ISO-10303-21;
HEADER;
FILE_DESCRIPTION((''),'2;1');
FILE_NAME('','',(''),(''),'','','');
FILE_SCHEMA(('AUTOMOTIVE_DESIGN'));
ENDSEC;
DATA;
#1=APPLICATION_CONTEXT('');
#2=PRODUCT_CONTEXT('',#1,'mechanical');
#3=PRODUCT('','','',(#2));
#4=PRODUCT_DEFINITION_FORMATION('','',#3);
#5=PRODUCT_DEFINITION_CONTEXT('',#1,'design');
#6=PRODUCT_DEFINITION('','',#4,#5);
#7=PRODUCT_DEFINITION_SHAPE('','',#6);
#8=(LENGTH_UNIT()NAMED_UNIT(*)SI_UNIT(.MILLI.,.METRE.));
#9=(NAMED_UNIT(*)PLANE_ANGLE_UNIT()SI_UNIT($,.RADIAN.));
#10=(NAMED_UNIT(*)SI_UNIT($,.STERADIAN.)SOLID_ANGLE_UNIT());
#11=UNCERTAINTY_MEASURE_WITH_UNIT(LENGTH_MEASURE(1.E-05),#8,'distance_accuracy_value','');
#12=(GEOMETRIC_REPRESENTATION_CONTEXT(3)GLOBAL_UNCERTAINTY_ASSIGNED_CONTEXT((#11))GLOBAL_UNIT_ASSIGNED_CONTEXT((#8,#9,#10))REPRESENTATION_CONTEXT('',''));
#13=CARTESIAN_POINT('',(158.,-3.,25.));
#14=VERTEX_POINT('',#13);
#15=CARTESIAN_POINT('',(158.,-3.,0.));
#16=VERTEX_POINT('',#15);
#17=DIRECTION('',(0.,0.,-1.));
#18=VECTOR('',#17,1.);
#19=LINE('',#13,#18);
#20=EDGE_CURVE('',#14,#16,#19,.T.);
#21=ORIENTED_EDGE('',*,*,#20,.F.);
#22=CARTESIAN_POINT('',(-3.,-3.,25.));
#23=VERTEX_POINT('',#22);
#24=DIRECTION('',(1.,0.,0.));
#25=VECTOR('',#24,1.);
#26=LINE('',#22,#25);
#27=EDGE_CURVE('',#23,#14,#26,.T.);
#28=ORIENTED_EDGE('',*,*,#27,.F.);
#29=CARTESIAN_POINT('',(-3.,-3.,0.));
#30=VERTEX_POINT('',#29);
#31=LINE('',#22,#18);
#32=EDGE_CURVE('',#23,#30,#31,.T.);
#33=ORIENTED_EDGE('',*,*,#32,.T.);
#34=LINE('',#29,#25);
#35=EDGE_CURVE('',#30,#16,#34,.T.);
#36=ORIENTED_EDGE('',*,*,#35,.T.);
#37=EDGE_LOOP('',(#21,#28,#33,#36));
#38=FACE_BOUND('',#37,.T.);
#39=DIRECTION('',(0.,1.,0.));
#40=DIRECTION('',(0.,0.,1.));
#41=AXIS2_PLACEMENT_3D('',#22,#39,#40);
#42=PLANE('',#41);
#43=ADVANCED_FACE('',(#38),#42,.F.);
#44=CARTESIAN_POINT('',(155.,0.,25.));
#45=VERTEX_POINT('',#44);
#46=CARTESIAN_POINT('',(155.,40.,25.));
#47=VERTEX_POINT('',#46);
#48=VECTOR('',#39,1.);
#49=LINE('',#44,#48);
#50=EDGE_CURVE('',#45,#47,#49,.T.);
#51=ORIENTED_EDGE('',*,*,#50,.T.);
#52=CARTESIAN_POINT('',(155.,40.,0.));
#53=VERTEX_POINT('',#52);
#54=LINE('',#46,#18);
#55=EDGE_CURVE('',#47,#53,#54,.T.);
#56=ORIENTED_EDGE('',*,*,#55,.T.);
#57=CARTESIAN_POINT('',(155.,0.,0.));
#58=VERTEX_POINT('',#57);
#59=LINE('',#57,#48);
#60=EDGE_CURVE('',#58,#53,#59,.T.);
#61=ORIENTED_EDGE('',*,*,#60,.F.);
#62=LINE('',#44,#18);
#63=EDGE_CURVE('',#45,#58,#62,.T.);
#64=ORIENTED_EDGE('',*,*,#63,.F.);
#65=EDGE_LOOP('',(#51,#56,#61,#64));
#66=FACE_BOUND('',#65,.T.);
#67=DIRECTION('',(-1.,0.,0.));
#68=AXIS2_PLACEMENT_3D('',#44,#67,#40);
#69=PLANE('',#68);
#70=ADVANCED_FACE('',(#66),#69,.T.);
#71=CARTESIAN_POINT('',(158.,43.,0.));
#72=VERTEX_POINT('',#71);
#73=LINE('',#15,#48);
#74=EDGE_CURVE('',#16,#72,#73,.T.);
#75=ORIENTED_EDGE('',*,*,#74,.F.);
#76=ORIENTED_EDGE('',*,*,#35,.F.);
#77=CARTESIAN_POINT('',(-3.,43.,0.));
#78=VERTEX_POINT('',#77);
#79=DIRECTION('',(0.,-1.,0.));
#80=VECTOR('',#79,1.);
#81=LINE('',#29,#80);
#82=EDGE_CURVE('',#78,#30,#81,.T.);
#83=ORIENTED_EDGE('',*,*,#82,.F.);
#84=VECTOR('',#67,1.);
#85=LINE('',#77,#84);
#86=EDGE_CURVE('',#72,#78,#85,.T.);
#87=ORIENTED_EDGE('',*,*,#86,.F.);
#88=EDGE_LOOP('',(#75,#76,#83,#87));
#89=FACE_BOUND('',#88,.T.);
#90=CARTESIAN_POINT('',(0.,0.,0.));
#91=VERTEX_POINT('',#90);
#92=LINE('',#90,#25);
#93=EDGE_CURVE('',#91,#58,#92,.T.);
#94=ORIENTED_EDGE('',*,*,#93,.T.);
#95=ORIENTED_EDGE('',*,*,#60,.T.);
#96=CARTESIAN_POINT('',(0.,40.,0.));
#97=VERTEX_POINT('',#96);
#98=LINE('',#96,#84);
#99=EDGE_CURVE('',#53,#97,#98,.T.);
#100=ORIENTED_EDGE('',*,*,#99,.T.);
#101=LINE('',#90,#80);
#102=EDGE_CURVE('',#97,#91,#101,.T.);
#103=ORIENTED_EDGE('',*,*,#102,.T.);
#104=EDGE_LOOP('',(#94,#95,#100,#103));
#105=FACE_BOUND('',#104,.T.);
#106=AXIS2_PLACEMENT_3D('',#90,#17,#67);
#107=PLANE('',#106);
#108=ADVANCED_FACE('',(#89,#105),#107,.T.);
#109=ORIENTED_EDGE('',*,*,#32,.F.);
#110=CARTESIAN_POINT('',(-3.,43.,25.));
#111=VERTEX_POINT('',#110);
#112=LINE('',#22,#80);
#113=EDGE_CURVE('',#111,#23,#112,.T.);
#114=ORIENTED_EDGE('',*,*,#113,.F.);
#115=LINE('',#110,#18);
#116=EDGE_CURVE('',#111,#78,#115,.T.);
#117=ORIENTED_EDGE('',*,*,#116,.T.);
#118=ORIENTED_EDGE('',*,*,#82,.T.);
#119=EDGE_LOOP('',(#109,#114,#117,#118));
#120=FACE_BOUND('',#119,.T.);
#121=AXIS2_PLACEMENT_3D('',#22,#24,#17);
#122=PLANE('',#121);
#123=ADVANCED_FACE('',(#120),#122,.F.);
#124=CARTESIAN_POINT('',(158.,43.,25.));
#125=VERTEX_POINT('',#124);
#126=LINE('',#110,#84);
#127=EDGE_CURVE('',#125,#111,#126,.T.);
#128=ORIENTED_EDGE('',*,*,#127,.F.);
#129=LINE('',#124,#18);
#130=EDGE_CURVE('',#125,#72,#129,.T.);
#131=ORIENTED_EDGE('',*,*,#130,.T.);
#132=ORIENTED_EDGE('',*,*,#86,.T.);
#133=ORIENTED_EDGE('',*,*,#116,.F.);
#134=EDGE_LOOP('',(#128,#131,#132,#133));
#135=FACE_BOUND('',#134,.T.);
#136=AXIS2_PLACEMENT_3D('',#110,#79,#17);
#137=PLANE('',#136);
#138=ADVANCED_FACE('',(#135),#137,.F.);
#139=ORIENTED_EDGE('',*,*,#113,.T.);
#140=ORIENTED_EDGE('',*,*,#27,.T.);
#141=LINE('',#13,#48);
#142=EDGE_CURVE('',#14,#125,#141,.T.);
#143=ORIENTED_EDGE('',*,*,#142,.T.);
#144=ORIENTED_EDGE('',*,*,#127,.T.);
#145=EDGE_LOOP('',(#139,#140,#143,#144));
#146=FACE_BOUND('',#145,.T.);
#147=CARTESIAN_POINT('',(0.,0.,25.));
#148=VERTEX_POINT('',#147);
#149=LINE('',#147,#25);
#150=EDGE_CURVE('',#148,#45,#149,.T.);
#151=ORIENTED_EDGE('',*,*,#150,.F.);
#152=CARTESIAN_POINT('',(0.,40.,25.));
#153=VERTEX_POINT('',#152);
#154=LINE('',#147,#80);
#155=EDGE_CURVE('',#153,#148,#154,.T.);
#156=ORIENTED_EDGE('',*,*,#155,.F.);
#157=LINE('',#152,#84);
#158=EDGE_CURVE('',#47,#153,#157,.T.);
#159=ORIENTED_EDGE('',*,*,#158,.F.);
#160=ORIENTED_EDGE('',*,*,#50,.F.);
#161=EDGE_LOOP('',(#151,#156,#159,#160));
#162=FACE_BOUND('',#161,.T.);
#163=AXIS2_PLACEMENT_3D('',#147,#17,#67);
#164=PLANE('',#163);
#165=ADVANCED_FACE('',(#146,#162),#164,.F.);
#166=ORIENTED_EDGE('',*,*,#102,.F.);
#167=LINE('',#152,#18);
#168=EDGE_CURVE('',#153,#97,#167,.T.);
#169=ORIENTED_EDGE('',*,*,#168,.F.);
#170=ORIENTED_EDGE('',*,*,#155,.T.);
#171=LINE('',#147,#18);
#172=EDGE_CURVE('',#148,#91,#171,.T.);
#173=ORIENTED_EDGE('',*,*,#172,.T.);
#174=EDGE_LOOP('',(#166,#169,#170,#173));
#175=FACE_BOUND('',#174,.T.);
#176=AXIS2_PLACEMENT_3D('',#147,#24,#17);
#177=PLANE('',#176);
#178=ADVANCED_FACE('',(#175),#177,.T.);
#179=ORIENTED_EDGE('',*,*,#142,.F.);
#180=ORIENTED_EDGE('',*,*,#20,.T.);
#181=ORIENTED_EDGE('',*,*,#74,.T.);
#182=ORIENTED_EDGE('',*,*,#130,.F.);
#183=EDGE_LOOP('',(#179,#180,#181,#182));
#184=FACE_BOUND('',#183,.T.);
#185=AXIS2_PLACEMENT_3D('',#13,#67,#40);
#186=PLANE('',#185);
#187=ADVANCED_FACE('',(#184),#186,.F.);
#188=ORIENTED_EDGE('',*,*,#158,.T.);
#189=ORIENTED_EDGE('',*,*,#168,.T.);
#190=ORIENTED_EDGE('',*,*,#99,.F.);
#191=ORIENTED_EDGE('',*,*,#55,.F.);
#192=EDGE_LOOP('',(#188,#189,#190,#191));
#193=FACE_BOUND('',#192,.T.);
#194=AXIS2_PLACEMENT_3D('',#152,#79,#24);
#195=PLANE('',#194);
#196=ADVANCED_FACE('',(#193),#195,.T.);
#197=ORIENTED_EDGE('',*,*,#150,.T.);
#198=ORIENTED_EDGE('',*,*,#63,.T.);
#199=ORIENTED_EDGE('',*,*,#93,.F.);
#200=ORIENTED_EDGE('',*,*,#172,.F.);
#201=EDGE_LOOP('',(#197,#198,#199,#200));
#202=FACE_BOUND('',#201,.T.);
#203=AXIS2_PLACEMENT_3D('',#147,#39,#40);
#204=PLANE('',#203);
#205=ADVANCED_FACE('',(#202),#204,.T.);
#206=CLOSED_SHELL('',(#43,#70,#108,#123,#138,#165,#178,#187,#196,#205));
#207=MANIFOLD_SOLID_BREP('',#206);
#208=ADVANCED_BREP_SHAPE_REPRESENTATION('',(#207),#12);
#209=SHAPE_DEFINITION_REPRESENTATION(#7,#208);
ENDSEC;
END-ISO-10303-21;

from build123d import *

# Parameters (mm, degrees)
SKETCH_1_W      = 161
SKETCH_1_H      = 46
SKETCH_1_W_2    = 155
SKETCH_1_H_2    = 40
EXTRUDE_1_DEPTH = 25


with BuildPart() as part:
    # Эскиз1 → Бобышка-Вытянуть1 (new body)
    with BuildSketch(Plane.XY):
        with Locations((77.5, 20)):
            Rectangle(SKETCH_1_W, SKETCH_1_H)
        with Locations((77.5, 20)):
            Rectangle(SKETCH_1_W_2, SKETCH_1_H_2, mode=Mode.SUBTRACT)
    extrude(amount=EXTRUDE_1_DEPTH)


solid = part.part
